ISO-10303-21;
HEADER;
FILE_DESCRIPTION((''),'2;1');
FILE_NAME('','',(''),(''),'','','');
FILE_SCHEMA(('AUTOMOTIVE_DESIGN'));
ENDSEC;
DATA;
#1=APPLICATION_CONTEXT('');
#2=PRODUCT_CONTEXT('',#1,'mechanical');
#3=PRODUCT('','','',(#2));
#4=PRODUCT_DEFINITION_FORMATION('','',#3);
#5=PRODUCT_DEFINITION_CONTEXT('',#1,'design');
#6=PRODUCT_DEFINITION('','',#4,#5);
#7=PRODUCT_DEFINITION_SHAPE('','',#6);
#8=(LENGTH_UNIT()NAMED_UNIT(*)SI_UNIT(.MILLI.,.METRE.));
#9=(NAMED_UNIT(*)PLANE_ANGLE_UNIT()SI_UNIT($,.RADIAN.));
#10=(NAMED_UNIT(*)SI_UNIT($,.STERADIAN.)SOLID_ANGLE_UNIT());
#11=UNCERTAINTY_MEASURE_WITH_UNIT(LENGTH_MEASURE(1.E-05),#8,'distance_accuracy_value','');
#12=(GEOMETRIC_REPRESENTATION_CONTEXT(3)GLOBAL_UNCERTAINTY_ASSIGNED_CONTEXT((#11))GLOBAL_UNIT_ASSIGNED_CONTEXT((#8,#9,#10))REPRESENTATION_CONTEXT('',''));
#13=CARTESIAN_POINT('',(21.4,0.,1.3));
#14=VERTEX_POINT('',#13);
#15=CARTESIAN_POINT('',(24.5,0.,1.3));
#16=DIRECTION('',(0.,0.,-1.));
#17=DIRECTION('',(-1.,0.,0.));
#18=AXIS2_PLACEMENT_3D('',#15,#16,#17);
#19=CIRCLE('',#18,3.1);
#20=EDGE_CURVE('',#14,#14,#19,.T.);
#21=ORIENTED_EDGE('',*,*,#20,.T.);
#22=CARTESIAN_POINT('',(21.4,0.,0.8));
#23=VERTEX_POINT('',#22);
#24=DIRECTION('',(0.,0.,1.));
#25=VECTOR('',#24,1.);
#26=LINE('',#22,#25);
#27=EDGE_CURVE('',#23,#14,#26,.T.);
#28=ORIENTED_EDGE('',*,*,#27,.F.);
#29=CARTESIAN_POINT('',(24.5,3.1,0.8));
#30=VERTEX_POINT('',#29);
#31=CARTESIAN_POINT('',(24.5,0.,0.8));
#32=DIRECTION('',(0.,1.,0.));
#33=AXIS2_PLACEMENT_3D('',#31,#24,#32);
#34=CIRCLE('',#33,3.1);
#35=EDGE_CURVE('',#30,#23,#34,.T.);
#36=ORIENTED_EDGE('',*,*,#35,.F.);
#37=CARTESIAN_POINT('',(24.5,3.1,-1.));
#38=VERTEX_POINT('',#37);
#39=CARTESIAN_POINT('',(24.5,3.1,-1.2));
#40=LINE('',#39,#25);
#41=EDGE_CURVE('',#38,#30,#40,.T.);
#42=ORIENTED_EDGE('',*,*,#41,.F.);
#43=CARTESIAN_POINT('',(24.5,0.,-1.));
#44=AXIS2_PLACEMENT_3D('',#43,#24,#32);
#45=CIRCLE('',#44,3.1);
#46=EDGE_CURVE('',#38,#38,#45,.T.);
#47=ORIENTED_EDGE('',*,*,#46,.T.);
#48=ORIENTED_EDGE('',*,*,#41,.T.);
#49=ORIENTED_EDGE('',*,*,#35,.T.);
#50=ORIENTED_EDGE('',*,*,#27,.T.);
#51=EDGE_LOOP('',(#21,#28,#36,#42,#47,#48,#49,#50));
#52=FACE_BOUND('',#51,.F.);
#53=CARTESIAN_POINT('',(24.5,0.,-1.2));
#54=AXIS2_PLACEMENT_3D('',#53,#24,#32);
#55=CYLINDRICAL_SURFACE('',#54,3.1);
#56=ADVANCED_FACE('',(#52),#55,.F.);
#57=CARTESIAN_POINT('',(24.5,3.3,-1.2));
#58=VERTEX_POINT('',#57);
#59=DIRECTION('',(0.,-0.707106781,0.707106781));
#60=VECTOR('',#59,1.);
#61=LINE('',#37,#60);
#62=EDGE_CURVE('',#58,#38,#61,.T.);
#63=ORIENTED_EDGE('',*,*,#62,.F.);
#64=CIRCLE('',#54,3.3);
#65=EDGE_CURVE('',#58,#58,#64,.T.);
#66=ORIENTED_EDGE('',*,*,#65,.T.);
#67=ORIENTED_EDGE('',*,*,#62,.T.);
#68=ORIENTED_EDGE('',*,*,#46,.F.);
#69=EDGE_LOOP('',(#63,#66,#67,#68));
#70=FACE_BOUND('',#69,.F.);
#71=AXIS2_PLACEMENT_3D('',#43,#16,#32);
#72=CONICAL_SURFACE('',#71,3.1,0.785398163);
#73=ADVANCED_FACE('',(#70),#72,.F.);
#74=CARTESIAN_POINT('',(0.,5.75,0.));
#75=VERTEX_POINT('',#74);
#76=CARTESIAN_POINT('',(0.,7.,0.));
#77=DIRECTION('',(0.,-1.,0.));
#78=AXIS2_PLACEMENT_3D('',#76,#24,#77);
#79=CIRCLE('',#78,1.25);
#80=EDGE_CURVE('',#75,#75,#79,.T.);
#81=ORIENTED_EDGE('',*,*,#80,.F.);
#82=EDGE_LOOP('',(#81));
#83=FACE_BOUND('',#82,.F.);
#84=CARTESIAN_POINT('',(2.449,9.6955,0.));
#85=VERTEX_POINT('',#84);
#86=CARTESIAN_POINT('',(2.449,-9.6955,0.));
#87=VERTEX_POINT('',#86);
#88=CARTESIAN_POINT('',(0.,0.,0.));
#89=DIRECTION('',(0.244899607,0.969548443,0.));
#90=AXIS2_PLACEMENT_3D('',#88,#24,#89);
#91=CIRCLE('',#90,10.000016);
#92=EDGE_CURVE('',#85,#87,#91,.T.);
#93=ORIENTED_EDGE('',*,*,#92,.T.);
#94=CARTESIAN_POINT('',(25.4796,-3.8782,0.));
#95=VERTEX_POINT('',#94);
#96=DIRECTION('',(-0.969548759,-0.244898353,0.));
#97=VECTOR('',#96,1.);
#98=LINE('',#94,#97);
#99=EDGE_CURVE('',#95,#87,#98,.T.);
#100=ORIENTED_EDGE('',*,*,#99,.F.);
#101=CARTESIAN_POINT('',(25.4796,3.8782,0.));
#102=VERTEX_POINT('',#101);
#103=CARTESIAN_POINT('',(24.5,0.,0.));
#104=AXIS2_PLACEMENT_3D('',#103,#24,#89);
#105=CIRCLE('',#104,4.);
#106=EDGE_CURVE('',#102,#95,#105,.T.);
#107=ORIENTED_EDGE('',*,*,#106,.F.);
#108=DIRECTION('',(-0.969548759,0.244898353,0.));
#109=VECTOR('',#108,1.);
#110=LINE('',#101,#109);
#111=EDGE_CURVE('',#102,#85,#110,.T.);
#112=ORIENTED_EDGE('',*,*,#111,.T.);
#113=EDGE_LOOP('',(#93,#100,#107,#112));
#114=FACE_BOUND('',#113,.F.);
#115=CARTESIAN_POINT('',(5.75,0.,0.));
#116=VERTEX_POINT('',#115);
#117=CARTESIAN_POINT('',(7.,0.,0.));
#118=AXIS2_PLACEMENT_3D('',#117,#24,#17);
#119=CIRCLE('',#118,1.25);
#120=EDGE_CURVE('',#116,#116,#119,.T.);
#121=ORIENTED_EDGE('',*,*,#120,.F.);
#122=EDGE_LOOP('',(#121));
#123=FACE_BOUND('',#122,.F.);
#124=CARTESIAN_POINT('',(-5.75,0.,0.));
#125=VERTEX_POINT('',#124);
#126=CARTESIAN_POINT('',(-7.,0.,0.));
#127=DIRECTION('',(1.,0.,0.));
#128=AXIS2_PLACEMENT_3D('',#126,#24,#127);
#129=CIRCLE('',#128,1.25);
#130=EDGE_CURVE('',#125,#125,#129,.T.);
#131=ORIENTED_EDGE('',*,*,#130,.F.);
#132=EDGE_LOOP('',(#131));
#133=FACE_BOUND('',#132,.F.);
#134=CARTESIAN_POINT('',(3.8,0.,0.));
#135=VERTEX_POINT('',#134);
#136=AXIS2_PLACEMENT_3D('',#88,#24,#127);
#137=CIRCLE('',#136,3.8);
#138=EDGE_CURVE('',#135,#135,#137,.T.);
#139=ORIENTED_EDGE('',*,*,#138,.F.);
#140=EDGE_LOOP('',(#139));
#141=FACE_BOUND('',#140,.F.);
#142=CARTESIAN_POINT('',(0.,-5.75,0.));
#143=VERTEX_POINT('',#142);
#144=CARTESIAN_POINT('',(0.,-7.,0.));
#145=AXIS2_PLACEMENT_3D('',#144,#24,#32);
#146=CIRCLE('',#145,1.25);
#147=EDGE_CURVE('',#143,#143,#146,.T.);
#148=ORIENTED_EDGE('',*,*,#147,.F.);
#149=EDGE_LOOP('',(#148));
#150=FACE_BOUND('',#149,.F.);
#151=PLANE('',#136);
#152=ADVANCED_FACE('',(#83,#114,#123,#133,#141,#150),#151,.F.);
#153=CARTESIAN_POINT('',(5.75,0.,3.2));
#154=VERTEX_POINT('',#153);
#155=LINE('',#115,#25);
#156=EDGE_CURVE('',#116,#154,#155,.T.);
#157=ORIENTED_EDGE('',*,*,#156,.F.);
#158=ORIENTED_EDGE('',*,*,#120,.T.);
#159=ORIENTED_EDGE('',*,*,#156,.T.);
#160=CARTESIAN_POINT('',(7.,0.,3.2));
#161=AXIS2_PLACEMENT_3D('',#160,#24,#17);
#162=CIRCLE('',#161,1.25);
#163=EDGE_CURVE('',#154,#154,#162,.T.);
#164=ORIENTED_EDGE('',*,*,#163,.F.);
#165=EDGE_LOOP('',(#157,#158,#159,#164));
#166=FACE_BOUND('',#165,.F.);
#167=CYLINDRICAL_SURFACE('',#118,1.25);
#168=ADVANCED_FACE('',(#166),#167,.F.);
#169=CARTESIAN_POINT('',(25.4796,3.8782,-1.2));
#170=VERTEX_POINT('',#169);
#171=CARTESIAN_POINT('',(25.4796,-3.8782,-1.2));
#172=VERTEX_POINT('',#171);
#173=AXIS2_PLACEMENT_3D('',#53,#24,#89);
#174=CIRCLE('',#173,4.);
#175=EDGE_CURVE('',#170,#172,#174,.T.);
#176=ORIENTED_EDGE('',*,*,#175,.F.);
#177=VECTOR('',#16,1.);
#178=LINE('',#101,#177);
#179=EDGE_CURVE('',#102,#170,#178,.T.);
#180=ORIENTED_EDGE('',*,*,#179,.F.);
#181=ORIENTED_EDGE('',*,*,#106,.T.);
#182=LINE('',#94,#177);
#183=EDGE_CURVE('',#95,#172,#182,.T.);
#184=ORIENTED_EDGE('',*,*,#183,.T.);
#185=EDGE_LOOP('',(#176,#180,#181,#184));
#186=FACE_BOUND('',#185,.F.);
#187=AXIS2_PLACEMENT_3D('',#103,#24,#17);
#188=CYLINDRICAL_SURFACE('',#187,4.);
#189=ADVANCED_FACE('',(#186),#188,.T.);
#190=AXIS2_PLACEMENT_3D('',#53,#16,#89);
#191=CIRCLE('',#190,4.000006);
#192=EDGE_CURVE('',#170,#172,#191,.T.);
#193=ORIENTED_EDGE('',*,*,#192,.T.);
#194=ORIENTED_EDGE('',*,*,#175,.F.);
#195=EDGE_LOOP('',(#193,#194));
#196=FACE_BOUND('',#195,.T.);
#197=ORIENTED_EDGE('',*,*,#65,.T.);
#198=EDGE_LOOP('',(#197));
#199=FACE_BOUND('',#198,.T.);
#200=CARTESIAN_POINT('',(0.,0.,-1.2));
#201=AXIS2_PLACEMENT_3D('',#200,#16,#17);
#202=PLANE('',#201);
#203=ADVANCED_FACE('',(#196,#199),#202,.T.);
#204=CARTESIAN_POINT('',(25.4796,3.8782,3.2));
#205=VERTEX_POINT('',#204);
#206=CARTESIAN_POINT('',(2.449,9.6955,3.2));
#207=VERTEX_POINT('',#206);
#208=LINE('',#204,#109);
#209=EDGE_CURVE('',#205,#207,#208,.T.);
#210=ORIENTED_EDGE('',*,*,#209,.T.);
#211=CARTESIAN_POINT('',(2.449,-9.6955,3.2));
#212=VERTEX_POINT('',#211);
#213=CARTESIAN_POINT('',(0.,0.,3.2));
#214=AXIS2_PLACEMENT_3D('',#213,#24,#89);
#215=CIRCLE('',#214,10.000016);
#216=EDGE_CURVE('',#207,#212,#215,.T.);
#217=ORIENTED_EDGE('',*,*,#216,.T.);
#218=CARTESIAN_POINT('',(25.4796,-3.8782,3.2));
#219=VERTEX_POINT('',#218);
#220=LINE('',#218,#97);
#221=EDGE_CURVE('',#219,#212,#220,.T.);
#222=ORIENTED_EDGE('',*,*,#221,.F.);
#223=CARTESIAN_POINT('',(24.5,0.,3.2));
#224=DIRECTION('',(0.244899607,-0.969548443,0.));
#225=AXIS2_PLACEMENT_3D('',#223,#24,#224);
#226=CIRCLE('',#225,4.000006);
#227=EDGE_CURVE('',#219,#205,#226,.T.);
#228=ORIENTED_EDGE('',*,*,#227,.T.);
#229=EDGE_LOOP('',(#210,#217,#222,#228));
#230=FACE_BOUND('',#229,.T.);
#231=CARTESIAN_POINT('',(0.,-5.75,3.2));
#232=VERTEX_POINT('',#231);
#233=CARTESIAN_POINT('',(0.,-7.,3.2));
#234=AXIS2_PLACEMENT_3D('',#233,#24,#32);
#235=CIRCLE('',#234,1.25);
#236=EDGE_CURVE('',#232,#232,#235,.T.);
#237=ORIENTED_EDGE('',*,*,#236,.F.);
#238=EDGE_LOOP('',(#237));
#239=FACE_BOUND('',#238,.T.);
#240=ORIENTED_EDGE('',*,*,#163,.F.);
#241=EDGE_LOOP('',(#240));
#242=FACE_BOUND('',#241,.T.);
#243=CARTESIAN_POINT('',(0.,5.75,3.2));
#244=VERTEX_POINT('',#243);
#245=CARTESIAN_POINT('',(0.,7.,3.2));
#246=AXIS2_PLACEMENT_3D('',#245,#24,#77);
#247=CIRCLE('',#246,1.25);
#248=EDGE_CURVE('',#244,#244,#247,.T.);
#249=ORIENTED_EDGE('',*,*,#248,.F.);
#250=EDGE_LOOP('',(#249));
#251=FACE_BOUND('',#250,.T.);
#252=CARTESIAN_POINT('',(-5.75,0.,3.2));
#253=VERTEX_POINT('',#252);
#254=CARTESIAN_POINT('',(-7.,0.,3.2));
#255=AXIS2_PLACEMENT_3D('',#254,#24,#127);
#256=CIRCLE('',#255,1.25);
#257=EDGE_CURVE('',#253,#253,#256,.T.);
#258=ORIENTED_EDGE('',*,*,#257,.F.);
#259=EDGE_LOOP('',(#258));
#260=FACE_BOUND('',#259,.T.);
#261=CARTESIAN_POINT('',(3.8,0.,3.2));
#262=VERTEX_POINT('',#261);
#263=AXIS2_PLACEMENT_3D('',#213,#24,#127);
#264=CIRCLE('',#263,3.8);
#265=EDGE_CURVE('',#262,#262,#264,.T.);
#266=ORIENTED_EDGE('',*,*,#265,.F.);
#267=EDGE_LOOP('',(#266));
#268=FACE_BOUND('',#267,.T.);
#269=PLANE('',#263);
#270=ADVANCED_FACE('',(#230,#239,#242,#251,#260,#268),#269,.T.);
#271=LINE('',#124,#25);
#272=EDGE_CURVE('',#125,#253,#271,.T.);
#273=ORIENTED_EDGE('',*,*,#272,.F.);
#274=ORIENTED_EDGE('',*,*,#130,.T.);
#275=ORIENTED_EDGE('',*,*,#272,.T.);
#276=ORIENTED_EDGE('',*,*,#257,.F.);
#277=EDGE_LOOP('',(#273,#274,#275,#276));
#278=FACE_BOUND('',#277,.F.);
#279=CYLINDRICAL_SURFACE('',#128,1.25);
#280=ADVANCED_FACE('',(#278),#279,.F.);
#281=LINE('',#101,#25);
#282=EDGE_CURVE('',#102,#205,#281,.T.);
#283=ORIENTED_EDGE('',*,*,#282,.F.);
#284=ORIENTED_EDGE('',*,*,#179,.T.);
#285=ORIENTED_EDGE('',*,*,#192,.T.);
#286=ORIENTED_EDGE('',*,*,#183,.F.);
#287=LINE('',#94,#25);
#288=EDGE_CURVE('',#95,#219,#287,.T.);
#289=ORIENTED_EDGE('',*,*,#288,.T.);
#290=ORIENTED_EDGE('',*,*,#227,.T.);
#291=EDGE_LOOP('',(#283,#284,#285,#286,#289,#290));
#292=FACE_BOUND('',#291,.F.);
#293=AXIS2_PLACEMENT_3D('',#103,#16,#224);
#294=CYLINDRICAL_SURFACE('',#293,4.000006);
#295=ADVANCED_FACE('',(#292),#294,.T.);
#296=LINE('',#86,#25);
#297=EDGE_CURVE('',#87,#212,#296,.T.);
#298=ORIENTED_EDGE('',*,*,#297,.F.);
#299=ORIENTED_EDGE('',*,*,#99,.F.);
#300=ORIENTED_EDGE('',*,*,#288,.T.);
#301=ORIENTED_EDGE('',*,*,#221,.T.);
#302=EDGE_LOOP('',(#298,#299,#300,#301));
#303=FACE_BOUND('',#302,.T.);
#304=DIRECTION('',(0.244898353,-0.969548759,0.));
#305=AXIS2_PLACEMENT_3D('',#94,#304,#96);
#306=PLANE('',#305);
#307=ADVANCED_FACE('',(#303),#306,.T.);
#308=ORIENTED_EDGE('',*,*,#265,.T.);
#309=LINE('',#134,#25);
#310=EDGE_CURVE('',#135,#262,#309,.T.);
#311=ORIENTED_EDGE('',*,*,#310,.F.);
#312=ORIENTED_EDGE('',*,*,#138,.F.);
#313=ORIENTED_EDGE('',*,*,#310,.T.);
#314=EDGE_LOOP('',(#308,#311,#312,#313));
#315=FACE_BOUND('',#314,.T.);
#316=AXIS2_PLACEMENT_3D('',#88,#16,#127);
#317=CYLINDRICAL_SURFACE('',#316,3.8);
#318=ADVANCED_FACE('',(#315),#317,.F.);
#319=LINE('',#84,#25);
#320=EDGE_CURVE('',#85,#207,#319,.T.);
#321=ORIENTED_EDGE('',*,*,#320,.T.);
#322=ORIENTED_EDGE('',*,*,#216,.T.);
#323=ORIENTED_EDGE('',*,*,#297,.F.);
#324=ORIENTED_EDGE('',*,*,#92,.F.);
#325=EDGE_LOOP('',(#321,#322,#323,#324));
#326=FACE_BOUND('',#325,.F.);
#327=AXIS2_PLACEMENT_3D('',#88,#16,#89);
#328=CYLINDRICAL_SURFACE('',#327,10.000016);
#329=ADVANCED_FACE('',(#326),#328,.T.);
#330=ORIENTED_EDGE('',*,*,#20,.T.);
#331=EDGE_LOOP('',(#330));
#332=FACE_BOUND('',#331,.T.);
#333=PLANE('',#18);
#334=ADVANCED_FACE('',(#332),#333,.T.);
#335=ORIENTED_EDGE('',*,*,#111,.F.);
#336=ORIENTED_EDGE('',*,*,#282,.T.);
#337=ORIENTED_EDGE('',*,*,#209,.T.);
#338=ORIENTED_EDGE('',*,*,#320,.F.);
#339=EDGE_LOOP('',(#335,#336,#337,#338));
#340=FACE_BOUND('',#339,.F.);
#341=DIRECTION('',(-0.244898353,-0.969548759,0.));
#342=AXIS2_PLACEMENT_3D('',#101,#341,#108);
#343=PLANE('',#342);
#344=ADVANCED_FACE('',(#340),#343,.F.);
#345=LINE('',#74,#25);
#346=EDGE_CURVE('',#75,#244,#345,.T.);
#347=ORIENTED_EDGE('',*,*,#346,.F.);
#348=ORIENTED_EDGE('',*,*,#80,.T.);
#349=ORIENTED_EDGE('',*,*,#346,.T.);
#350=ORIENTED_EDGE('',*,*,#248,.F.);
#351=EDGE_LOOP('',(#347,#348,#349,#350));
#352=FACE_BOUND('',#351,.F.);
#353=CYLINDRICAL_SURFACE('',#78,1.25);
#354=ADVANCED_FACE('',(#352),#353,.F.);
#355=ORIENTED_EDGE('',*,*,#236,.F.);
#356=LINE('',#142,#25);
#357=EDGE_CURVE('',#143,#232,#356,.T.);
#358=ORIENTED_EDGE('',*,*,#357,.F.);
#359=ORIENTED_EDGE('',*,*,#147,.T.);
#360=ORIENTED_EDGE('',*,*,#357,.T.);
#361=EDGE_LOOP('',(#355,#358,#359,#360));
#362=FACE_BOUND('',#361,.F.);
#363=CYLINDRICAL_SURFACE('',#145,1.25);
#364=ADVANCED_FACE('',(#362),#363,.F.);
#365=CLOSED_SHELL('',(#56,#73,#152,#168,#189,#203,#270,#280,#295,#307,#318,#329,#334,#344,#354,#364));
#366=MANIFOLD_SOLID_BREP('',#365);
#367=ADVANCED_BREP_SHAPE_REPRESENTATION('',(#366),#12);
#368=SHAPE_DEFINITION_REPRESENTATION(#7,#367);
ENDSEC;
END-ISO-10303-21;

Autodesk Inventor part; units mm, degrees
ref_plane "YZ Plane" through (0, 0, 0) normal (1, 0, 0) x (0, 1, 0)
ref_plane "XZ Plane" through (0, 0, 0) normal (0, 1, 0) x (-1, 0, 0)
ref_plane "XY Plane" through (0, 0, 0) normal (0, 0, 1) x (1, 0, 0)
sketch "Skizze1" plane through (0, 0, 0) normal (0, 0, 1) x (1, 0, 0)
  arc A0 (2.449, 9.6955) -> (2.449, -9.6955) centre (0, 0) ccw
  arc A1 (25.4796, -3.8782) -> (25.4796, 3.8782) centre (24.5, 0) ccw
  line L0 (25.4796, 3.8782) -> (2.449, 9.6955)
  line L1 (25.4796, -3.8782) -> (2.449, -9.6955)
  circle A2 centre (0, 0) radius 3.8
  dimension "d0" = 20
  dimension "d1" = 8
  dimension "d2" = 24.5
  dimension "d40" = 7.6
extrude "Extrusion1" add sketch "Skizze1" along normal blind 3.2
sketch "Skizze2" plane through (0, 0, 0) normal (0, 0, -1) x (-1, 0, 0)
  arc A0 (-25.4796, 3.8782) -> (-25.4796, -3.8782) centre (-24.5, 0) ccw projected
  circle A1 centre (-24.5, 0) radius 4
  point P0 (0, 0)
  point P1 (-25.4796, 3.8782)
extrude "Extrusion2" add sketch "Skizze2" along normal blind 1.2
sketch "Skizze3" plane through (24.5, 0, -1.2) normal (0, 0, -1) x (-1, 0, 0)
  circle A0 centre (0, 0) radius 4 projected
  point P0 (24.5, 0)
hole "Bohrung1" at (24.5, 0, -1.2) direction (0, 0, 1) diameter 6.2 depth 2
sketch "Skizze4" plane through (0, 0, 0) normal (0, 0, -1) x (-1, 0, 0)
  point P0 (0, 0)
  point P1 (0, -7)
  dimension "d14" = 7
hole "Bohrung2" at (0, -7, 0) direction (0, 0, 1) diameter 2.5 end through all
pattern_circular "Runde Anordnung1" count 4 over 360 about axis through (0, 0, 0) along (0, 0, 1) of "Bohrung2"
chamfer "Fasen4" distance 0.2 angle 45 1 edges at (24.5, -3.1, -1.2)
sketch "Skizze5" plane through (24.5, 0, 0.8) normal (0, 0, -1) x (-1, 0, 0)
  circle A0 centre (0, 0) radius 3.1 projected
  point P0 (24.5, 0)
extrude "Extrusion3" cut sketch "Skizze5" against normal blind 0.5
properties part number "Magnet-arm"
